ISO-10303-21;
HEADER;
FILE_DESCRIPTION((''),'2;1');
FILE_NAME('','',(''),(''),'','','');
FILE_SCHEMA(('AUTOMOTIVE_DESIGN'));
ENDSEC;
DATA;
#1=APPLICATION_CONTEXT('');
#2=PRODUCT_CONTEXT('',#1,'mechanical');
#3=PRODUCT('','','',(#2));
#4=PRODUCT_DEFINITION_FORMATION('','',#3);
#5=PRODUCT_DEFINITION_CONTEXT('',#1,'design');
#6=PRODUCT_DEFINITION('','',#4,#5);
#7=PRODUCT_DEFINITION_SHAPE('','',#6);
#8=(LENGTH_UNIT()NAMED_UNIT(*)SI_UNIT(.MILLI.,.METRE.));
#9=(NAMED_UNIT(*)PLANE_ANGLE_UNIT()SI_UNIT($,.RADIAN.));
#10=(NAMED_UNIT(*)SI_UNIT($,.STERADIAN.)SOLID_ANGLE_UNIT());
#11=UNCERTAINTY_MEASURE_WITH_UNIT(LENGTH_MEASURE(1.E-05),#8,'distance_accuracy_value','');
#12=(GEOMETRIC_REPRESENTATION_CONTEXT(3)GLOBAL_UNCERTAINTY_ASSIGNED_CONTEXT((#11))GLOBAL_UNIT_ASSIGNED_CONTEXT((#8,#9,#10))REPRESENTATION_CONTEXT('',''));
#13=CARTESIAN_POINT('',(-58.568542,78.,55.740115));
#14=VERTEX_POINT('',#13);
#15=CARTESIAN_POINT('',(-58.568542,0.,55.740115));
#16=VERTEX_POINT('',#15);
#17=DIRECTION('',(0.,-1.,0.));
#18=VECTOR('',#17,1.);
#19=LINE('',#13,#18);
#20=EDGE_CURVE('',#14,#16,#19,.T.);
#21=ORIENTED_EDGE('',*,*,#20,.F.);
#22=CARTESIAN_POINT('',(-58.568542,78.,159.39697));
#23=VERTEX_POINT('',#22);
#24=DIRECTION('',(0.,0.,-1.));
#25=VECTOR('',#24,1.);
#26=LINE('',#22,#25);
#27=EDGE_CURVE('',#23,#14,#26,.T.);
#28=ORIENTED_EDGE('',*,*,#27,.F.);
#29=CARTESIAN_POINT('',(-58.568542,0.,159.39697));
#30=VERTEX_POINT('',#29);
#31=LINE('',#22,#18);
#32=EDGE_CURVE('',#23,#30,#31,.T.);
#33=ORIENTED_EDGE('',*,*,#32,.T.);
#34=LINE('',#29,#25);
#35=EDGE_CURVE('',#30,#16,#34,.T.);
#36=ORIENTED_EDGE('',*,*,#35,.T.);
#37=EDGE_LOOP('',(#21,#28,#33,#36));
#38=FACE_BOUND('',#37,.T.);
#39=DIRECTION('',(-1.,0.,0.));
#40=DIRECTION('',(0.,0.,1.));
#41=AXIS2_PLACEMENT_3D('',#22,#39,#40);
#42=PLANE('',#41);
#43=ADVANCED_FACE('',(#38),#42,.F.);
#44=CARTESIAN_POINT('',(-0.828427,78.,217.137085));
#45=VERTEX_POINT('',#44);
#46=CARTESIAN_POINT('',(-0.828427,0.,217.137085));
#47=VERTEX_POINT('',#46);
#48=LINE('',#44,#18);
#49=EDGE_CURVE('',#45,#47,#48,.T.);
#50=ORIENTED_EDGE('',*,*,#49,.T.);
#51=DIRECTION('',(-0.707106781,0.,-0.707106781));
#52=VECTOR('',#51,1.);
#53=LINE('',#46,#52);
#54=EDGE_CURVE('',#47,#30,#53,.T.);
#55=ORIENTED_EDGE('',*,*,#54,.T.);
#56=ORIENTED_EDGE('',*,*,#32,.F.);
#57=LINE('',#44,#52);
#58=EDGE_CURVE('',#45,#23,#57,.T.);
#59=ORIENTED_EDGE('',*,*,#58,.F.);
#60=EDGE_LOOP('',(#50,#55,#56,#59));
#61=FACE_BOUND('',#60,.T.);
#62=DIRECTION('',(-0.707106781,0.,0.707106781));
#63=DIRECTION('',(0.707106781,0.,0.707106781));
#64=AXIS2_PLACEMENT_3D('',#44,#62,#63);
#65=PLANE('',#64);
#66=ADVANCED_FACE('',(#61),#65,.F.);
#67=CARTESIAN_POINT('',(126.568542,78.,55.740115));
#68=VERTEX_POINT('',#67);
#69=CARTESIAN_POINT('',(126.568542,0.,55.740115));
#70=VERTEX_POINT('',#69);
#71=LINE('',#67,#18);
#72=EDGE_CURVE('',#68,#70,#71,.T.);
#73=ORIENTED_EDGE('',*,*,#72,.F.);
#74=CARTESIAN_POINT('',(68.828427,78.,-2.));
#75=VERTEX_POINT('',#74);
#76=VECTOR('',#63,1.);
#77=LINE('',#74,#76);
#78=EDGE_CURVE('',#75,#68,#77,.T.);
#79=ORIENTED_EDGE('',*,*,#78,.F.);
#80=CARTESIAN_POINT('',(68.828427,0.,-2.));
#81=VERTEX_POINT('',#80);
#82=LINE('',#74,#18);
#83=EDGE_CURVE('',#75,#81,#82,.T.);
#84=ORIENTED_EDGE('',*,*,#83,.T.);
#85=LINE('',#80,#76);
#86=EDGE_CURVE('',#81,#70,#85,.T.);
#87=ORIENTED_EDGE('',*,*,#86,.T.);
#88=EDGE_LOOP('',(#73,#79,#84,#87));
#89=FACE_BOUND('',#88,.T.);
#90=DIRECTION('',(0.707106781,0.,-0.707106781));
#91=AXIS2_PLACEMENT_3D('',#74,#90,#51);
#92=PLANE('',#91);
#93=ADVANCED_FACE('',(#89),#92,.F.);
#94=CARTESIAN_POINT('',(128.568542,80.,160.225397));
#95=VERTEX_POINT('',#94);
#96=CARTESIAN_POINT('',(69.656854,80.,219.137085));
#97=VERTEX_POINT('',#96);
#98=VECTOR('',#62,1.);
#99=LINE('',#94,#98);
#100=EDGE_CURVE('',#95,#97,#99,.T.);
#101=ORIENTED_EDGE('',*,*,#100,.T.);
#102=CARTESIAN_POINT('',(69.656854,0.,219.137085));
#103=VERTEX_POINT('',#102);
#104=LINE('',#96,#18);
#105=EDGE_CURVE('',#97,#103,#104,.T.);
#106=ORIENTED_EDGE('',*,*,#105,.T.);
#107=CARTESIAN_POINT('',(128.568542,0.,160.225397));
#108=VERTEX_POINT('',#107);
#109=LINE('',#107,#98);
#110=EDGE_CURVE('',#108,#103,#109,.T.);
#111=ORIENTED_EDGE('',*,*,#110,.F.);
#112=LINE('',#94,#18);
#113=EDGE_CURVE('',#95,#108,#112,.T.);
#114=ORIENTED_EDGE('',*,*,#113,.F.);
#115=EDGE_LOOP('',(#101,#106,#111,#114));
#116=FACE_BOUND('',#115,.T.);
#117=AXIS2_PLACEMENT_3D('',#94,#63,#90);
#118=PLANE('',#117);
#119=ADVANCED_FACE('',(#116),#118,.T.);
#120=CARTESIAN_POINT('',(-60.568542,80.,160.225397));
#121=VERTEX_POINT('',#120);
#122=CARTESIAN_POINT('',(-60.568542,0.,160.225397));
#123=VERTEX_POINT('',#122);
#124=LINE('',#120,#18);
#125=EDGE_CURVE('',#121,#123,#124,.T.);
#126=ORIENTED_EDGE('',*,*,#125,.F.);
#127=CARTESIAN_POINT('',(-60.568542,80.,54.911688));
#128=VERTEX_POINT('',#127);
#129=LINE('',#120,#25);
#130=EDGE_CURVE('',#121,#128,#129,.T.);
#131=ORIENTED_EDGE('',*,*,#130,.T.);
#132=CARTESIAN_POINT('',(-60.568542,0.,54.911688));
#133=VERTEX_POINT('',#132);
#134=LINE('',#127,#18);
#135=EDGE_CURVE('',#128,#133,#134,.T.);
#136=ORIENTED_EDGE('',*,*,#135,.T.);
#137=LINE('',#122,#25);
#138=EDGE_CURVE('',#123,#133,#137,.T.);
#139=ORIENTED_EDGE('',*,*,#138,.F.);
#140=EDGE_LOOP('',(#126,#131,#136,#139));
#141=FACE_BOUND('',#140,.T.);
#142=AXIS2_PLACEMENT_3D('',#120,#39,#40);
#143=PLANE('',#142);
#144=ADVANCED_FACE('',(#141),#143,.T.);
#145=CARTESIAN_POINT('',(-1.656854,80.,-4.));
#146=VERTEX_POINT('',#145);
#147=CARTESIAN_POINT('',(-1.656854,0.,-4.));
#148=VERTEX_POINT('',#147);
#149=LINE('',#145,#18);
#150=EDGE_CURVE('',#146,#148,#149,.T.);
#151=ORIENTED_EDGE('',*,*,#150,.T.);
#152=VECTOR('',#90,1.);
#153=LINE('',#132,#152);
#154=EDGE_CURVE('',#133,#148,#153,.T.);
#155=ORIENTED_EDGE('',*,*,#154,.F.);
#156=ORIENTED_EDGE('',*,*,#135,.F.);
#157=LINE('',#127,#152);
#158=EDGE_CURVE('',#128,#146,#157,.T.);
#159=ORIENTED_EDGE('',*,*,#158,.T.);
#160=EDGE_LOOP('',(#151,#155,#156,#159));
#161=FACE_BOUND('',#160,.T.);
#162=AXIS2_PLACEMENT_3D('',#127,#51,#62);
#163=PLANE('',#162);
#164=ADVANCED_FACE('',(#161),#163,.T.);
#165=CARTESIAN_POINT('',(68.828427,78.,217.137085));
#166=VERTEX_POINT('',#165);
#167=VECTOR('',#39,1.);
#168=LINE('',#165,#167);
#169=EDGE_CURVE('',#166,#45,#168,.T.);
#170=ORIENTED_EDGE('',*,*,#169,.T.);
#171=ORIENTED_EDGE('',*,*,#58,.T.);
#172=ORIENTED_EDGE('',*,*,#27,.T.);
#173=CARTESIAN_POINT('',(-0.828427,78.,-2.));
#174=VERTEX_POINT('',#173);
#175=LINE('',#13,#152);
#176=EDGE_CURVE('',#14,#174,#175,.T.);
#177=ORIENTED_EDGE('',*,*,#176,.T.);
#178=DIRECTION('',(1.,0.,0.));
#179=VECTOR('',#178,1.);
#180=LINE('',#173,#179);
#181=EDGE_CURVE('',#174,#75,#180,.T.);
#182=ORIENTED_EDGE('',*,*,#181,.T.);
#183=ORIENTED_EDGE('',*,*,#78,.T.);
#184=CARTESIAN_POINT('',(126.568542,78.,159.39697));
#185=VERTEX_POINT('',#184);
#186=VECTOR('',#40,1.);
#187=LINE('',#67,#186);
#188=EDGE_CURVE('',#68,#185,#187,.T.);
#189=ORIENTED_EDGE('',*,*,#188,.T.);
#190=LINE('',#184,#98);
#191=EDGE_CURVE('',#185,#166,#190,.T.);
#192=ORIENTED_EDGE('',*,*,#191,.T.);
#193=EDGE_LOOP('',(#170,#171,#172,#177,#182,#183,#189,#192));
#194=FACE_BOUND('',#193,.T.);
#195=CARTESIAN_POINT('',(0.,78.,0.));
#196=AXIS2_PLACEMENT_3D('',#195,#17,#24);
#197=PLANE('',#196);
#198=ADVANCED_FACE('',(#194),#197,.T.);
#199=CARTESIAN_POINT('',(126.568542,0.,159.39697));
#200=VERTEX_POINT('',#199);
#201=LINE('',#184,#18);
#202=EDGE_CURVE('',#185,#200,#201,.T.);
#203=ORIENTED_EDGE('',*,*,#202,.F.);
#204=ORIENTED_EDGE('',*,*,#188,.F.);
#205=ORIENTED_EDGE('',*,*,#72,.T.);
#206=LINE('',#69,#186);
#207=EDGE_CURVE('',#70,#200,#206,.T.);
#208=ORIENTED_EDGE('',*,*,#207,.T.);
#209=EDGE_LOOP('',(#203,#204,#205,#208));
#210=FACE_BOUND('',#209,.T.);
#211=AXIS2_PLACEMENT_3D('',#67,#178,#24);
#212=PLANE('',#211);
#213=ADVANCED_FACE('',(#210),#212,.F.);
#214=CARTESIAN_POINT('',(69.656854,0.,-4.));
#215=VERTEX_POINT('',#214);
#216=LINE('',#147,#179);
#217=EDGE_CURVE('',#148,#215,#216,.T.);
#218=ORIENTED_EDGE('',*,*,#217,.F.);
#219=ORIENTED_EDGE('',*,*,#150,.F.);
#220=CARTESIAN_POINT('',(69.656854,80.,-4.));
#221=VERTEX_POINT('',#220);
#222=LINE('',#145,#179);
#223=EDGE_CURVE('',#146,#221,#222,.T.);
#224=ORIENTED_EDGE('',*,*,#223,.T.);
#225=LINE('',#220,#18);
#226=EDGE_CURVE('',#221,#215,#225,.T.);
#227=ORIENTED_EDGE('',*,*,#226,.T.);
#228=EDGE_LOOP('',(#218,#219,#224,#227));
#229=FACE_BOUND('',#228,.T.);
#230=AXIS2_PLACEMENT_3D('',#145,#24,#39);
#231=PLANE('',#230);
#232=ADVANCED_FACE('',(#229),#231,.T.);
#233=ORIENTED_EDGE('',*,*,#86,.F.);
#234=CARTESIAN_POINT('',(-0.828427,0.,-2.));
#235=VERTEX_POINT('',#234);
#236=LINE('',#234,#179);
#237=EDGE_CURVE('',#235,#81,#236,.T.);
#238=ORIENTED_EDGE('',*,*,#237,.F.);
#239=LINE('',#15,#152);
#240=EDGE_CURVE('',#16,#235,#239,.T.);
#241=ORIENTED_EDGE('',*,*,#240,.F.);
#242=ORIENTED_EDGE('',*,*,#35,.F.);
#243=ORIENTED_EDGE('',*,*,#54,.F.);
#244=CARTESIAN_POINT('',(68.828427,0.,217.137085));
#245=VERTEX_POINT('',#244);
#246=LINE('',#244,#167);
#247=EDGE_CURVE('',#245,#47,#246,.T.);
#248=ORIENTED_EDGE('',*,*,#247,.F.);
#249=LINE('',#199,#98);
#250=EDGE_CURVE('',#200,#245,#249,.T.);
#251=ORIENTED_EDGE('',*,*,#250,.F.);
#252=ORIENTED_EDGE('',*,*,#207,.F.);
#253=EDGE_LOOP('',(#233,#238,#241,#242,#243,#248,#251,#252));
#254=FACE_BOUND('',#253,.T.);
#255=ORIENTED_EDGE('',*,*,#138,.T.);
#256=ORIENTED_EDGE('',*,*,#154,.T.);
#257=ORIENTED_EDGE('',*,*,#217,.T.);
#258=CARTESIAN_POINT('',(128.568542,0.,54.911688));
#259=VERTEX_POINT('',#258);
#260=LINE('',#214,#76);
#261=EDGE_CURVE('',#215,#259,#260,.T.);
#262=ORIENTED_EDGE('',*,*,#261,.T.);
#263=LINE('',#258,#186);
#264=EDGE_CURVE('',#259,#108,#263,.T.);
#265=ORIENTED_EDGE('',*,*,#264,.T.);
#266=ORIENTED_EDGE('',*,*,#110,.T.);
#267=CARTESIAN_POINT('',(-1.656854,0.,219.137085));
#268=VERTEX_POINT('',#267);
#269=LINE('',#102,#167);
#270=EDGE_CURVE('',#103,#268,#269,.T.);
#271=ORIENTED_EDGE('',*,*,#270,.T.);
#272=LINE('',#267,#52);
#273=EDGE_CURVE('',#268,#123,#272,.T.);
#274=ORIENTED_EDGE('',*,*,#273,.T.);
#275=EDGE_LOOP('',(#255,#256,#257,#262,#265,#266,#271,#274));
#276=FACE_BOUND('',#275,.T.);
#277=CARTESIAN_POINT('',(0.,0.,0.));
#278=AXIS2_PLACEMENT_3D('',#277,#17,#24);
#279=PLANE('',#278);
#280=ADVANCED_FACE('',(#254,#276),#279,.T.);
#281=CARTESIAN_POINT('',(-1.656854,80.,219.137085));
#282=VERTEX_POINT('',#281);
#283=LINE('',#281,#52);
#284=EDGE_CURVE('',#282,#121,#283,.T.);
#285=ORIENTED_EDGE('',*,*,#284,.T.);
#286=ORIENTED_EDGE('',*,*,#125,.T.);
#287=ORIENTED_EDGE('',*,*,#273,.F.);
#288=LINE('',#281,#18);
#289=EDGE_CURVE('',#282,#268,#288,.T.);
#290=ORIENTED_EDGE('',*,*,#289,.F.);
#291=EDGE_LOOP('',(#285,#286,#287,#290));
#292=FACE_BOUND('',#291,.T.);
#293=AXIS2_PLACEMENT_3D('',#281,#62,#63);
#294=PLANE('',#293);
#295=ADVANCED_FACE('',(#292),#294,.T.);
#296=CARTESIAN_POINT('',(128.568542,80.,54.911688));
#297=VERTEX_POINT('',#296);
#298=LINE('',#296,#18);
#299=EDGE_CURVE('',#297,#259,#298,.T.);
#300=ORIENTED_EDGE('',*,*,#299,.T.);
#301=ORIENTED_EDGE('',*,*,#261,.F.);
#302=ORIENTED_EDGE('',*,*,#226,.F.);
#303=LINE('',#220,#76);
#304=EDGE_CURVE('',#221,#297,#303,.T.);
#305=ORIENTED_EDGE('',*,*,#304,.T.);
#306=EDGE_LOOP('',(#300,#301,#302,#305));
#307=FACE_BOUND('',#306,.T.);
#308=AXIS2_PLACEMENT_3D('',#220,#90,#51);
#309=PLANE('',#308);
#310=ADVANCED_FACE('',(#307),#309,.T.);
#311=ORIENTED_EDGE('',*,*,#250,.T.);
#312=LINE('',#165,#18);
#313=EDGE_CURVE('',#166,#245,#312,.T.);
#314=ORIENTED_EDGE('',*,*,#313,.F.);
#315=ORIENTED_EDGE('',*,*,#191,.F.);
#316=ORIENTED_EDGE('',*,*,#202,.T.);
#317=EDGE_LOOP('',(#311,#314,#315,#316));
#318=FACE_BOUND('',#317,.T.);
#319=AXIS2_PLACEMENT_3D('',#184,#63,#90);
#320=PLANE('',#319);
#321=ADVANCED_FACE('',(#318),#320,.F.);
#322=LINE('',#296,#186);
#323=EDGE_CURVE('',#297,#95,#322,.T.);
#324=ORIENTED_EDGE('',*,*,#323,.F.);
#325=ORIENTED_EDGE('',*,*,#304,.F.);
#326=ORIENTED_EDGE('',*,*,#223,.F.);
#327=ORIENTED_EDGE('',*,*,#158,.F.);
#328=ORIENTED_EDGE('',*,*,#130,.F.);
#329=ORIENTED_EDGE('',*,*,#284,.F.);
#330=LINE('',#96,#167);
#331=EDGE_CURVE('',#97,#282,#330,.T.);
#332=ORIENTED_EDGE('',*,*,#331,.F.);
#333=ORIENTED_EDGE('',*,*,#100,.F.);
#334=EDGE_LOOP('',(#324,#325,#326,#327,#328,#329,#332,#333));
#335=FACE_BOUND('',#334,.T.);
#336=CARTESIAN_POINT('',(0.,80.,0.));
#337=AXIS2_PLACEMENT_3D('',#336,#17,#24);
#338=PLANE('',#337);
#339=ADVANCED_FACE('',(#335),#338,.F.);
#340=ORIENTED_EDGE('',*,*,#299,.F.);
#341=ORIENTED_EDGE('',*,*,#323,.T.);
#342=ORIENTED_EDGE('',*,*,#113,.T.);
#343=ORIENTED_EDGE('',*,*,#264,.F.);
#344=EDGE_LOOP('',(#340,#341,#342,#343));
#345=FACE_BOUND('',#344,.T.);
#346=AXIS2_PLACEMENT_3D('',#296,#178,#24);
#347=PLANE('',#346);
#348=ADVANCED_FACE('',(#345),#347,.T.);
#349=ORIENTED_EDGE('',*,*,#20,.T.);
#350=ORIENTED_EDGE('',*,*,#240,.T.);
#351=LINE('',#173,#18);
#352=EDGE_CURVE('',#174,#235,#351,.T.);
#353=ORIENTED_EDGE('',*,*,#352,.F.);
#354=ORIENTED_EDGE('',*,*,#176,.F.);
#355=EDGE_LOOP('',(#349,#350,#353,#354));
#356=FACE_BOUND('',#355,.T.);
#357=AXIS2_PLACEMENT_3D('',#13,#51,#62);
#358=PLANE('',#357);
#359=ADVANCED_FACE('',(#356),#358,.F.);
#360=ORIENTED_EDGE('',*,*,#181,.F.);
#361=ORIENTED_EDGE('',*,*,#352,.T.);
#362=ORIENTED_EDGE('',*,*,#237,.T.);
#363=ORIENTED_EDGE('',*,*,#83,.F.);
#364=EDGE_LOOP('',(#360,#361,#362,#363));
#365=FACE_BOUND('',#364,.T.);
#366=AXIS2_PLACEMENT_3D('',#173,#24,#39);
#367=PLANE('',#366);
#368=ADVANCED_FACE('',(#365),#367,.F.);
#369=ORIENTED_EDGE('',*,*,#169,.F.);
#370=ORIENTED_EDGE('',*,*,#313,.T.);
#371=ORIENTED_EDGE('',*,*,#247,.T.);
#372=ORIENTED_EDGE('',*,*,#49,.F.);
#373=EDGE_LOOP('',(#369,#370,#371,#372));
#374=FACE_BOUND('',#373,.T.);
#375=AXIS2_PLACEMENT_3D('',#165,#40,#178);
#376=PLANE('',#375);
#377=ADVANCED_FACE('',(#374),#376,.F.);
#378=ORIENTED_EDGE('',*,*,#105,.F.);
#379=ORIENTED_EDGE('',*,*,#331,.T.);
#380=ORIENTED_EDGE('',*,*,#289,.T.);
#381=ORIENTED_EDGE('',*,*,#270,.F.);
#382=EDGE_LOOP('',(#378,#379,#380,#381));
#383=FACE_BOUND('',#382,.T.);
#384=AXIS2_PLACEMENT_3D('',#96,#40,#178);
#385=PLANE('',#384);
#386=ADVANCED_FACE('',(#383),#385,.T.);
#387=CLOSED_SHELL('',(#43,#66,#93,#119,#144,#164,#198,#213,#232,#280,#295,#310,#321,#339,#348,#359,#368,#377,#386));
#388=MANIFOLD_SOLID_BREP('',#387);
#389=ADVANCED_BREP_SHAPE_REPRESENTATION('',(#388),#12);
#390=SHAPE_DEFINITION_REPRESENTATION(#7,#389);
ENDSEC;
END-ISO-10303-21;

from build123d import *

# Parameters (mm, degrees)
EXTRUDE_3_DEPTH     = 80
CUT_EXTRUDE_1_DEPTH = 78


with BuildPart() as part:
    # 草图1 → 凸台-拉伸3 (new body)
    with BuildSketch(Plane(origin=(0, 0, 0), x_dir=(1, 0, 0), z_dir=(0, 1, 0))):
        Polygon((-1.656854249, 4), (69.656854249, 4), (128.568542495, -54.911688245), (128.568542495, -160.225396744), (69.656854249, -219.13708499), (-1.656854249, -219.13708499), (-60.568542495, -160.225396744), (-60.568542495, -54.911688245), align=None)
    extrude(amount=EXTRUDE_3_DEPTH)

    # 草图1<6> → 切除-拉伸1 (cut)
    with BuildSketch(Plane(origin=(0, 0, 0), x_dir=(1, 0, 0), z_dir=(0, 1, 0))):
        Polygon((-58.568542495, -55.74011537), (-0.828427125, 2), (68.828427125, 2), (126.568542495, -55.74011537), (126.568542495, -159.39696962), (68.828427125, -217.13708499), (-0.828427125, -217.13708499), (-58.568542495, -159.39696962), align=None)
    extrude(amount=CUT_EXTRUDE_1_DEPTH, mode=Mode.SUBTRACT)


solid = part.part
